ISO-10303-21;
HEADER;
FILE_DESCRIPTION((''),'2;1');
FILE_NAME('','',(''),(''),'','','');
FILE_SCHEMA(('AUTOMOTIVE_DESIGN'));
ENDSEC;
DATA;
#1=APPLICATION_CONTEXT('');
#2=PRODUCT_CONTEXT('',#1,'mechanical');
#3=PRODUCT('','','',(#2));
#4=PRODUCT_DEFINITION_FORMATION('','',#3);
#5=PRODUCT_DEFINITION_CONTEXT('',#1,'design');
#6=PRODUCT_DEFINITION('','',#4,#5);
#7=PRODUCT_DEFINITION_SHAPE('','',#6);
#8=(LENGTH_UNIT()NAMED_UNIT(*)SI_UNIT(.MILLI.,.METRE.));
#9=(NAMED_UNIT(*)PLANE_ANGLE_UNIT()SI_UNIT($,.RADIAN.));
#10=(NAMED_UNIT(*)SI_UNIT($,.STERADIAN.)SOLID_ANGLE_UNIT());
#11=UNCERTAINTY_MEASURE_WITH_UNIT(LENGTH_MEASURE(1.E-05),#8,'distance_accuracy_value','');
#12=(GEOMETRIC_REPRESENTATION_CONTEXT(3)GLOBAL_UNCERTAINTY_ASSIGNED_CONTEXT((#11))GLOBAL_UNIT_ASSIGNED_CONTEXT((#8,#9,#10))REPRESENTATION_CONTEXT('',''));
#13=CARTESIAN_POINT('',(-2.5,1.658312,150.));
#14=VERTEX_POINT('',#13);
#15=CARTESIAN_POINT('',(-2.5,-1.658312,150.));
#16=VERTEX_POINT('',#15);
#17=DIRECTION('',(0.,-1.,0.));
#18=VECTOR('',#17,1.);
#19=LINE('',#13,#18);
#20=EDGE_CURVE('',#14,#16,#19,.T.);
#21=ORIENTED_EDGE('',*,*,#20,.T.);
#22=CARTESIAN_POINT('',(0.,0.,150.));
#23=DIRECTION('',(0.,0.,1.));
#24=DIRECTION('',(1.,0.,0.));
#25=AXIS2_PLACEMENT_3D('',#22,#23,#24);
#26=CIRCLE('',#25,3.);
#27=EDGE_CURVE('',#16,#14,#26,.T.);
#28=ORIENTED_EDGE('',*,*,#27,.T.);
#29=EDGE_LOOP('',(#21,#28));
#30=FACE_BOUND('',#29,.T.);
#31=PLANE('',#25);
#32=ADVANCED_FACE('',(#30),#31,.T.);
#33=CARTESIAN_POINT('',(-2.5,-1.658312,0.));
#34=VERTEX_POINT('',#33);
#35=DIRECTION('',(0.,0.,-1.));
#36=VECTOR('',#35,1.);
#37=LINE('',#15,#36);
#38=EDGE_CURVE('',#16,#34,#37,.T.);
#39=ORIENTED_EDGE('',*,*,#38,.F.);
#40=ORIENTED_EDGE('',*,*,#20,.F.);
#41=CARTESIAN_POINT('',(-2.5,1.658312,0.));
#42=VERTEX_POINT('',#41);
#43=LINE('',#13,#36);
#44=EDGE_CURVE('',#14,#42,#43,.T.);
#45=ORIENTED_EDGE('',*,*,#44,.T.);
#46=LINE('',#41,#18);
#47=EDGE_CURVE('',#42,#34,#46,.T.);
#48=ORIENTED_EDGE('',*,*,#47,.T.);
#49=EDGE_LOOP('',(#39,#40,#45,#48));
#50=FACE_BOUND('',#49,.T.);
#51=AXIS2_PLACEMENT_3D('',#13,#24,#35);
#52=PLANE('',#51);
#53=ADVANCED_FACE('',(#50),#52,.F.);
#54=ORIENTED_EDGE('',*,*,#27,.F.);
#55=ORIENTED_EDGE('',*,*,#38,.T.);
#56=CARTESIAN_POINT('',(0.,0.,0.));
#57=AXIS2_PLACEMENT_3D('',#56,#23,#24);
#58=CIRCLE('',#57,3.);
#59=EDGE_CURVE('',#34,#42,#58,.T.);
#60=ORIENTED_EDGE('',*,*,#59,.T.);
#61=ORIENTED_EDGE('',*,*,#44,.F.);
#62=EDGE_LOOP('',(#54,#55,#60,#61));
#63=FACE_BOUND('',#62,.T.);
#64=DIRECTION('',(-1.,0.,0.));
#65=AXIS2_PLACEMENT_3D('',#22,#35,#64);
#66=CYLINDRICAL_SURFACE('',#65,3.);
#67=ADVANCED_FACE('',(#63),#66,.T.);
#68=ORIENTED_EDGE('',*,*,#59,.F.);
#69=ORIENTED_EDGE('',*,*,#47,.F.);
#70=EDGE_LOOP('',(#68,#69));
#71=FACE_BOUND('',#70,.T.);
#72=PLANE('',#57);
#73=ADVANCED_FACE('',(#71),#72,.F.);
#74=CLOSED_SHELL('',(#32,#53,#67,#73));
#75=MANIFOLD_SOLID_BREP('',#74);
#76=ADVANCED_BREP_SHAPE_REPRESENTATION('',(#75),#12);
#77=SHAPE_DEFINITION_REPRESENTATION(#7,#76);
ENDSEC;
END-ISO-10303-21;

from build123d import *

# Parameters (mm, degrees)
BOSS_EXTRUDE1_DEPTH = 150


with BuildPart() as part:
    # Sketch1 → Boss-Extrude1 (new body)
    with BuildSketch(Plane.XY):
        with BuildLine():
            Line((-2.5, 1.658312395), (-2.5, -1.658312395))
            ThreePointArc((-2.5, -1.658312395), (3, 0), (-2.5, 1.658312395))
        make_face()
    extrude(amount=BOSS_EXTRUDE1_DEPTH)


solid = part.part
